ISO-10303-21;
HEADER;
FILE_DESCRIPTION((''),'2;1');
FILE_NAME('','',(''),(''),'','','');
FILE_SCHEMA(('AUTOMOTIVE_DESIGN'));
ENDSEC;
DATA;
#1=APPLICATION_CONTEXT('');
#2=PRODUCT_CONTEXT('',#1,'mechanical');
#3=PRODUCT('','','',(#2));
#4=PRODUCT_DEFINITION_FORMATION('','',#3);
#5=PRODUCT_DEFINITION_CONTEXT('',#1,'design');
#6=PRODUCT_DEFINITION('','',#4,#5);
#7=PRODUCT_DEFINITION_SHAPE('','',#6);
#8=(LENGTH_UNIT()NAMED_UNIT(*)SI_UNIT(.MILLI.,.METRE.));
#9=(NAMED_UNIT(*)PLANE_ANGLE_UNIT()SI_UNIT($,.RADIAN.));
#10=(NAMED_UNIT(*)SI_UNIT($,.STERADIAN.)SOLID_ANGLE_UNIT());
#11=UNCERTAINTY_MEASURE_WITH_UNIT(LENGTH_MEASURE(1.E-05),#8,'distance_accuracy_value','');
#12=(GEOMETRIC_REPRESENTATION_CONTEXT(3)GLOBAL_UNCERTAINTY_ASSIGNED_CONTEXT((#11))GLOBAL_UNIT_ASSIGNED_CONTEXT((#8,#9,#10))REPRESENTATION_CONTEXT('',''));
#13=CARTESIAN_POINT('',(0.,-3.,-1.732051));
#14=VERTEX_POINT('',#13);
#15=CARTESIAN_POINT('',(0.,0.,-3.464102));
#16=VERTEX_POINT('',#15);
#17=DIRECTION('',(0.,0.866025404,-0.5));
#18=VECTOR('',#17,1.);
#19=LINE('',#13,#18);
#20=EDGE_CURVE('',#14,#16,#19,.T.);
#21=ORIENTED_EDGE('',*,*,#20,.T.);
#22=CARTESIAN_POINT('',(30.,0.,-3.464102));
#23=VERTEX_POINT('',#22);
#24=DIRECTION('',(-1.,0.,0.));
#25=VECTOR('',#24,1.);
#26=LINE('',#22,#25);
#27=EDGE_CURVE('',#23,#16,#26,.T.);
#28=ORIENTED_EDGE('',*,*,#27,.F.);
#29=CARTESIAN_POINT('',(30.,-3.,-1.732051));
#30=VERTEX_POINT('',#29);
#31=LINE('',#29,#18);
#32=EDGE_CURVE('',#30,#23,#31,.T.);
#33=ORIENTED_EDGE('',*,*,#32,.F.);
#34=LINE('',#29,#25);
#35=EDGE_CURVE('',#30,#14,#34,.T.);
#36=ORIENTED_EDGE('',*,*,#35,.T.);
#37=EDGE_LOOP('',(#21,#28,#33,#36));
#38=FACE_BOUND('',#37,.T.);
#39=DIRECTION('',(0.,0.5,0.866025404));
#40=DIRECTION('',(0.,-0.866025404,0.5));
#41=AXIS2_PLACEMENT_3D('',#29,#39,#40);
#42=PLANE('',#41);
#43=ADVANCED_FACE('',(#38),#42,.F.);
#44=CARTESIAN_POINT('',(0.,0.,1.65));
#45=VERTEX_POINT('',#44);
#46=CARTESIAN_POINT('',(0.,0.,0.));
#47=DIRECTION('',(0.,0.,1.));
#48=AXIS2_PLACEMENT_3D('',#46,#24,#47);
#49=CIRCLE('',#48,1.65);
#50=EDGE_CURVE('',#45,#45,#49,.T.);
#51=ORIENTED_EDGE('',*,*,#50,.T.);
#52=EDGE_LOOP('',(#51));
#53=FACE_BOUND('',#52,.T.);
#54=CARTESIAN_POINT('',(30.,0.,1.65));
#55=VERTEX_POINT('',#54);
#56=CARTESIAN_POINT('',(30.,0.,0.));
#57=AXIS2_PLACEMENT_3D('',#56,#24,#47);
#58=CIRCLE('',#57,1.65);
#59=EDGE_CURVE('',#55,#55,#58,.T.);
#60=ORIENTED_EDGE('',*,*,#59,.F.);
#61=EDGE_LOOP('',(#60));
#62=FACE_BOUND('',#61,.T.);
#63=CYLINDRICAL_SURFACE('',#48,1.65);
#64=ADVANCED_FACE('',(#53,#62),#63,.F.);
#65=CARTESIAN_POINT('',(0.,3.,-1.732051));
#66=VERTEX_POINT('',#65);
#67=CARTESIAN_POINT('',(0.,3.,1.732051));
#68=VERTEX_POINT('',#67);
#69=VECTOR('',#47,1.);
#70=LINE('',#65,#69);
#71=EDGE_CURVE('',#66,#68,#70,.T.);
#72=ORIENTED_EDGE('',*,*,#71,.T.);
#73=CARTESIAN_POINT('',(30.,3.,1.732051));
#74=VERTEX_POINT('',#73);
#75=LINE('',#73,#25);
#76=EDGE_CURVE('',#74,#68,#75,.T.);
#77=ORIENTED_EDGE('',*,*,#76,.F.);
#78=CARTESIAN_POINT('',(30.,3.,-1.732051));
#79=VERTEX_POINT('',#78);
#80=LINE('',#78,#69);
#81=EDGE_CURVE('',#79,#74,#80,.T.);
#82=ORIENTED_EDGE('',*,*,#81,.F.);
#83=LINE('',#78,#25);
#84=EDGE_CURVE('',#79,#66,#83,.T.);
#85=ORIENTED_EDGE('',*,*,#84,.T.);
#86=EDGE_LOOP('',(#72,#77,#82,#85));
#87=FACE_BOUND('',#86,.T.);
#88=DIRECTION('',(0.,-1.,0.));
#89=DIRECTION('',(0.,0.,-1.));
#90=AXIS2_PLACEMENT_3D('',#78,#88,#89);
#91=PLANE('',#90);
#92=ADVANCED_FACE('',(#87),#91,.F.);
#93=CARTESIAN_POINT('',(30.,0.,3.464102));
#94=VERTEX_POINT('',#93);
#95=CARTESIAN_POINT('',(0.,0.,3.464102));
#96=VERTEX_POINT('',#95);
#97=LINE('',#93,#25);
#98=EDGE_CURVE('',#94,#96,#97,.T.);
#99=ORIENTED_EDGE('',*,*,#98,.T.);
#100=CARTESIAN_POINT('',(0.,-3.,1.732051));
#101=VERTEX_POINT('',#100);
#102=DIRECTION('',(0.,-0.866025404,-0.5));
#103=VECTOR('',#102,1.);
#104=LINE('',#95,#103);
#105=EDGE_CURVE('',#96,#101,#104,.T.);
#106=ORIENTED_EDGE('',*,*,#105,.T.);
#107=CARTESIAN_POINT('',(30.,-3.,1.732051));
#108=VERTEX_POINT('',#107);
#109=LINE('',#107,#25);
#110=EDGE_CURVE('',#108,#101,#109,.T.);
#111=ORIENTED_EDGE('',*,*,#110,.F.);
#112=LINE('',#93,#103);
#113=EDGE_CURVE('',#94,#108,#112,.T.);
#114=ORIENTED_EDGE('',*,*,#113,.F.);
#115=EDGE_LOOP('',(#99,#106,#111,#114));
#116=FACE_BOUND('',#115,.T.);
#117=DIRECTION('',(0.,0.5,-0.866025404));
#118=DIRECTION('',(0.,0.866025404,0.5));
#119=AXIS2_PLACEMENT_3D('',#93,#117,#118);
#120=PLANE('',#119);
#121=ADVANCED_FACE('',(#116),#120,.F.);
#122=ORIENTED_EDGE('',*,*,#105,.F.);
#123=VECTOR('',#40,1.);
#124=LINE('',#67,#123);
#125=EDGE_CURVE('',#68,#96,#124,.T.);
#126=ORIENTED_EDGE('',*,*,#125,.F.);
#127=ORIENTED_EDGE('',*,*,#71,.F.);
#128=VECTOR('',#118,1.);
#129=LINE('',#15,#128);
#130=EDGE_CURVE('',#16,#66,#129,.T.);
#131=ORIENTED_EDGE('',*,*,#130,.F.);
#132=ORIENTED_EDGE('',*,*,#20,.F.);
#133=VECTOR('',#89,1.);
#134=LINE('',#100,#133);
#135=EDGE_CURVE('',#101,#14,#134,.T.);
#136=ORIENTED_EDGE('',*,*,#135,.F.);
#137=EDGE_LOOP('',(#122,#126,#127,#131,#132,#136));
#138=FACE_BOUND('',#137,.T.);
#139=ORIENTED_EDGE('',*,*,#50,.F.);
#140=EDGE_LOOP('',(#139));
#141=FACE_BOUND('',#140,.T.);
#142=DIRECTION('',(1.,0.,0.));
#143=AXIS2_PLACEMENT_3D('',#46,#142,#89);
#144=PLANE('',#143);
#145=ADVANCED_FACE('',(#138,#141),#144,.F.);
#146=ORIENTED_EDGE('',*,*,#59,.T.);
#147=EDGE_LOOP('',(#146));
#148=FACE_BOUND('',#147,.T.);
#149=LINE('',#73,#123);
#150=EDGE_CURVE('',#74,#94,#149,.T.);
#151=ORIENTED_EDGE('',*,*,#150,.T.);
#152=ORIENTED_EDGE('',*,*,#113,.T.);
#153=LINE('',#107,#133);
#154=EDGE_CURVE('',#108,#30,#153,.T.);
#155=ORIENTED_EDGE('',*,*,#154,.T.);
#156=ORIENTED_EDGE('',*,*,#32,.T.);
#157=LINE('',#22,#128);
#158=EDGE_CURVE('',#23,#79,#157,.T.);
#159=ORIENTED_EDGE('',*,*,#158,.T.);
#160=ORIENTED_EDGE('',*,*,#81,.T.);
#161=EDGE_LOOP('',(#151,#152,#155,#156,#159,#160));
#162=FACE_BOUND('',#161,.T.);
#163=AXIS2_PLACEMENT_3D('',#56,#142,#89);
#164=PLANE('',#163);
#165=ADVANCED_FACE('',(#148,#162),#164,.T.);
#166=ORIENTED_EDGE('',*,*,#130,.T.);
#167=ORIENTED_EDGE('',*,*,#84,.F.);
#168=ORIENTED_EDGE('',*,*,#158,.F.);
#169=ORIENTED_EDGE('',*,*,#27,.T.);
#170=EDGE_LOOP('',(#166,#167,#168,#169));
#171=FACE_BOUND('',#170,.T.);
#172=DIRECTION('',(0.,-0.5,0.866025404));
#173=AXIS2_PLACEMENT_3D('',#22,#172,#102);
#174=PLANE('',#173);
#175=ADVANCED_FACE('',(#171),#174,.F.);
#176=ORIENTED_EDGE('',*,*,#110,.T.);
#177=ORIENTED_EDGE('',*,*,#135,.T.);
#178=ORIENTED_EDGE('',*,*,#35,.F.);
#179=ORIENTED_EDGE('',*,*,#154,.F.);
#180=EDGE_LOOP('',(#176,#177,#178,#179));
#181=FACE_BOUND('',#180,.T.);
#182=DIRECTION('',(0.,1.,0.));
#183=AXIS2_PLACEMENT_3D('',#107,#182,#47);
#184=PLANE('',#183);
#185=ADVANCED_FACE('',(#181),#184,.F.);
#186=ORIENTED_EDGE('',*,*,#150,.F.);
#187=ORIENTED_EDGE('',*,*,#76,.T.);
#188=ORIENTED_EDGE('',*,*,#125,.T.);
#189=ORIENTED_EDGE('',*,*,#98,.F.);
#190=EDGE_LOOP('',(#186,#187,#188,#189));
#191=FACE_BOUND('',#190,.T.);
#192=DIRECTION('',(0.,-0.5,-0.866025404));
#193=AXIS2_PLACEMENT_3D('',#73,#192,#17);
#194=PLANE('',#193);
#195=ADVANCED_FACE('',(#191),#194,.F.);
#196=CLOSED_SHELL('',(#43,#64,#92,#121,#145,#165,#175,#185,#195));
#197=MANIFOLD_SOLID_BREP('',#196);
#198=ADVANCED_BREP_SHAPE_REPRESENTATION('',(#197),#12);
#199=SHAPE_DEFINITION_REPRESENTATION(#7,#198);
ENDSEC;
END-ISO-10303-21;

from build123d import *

# Parameters (mm, degrees)
EXTRUDE_1_DEPTH    = 30
HOLE_WIZARD_M4_1_D = 3.3


with BuildPart() as part:
    # 草图1 → 凸台-拉伸1 (new body)
    with BuildSketch(Plane(origin=(0, 0, 0), x_dir=(0, 0, -1), z_dir=(1, 0, 0))):
        Polygon((3.464101615, 0), (1.732050808, 3), (-1.732050808, 3), (-3.464101615, 0), (-1.732050808, -3), (1.732050808, -3), align=None)
    extrude(amount=EXTRUDE_1_DEPTH)

    # M4 螺纹孔1 (through all)
    with Locations(Plane.ZY):
        with Locations((0, 0)):
            Hole(HOLE_WIZARD_M4_1_D / 2)


solid = part.part
